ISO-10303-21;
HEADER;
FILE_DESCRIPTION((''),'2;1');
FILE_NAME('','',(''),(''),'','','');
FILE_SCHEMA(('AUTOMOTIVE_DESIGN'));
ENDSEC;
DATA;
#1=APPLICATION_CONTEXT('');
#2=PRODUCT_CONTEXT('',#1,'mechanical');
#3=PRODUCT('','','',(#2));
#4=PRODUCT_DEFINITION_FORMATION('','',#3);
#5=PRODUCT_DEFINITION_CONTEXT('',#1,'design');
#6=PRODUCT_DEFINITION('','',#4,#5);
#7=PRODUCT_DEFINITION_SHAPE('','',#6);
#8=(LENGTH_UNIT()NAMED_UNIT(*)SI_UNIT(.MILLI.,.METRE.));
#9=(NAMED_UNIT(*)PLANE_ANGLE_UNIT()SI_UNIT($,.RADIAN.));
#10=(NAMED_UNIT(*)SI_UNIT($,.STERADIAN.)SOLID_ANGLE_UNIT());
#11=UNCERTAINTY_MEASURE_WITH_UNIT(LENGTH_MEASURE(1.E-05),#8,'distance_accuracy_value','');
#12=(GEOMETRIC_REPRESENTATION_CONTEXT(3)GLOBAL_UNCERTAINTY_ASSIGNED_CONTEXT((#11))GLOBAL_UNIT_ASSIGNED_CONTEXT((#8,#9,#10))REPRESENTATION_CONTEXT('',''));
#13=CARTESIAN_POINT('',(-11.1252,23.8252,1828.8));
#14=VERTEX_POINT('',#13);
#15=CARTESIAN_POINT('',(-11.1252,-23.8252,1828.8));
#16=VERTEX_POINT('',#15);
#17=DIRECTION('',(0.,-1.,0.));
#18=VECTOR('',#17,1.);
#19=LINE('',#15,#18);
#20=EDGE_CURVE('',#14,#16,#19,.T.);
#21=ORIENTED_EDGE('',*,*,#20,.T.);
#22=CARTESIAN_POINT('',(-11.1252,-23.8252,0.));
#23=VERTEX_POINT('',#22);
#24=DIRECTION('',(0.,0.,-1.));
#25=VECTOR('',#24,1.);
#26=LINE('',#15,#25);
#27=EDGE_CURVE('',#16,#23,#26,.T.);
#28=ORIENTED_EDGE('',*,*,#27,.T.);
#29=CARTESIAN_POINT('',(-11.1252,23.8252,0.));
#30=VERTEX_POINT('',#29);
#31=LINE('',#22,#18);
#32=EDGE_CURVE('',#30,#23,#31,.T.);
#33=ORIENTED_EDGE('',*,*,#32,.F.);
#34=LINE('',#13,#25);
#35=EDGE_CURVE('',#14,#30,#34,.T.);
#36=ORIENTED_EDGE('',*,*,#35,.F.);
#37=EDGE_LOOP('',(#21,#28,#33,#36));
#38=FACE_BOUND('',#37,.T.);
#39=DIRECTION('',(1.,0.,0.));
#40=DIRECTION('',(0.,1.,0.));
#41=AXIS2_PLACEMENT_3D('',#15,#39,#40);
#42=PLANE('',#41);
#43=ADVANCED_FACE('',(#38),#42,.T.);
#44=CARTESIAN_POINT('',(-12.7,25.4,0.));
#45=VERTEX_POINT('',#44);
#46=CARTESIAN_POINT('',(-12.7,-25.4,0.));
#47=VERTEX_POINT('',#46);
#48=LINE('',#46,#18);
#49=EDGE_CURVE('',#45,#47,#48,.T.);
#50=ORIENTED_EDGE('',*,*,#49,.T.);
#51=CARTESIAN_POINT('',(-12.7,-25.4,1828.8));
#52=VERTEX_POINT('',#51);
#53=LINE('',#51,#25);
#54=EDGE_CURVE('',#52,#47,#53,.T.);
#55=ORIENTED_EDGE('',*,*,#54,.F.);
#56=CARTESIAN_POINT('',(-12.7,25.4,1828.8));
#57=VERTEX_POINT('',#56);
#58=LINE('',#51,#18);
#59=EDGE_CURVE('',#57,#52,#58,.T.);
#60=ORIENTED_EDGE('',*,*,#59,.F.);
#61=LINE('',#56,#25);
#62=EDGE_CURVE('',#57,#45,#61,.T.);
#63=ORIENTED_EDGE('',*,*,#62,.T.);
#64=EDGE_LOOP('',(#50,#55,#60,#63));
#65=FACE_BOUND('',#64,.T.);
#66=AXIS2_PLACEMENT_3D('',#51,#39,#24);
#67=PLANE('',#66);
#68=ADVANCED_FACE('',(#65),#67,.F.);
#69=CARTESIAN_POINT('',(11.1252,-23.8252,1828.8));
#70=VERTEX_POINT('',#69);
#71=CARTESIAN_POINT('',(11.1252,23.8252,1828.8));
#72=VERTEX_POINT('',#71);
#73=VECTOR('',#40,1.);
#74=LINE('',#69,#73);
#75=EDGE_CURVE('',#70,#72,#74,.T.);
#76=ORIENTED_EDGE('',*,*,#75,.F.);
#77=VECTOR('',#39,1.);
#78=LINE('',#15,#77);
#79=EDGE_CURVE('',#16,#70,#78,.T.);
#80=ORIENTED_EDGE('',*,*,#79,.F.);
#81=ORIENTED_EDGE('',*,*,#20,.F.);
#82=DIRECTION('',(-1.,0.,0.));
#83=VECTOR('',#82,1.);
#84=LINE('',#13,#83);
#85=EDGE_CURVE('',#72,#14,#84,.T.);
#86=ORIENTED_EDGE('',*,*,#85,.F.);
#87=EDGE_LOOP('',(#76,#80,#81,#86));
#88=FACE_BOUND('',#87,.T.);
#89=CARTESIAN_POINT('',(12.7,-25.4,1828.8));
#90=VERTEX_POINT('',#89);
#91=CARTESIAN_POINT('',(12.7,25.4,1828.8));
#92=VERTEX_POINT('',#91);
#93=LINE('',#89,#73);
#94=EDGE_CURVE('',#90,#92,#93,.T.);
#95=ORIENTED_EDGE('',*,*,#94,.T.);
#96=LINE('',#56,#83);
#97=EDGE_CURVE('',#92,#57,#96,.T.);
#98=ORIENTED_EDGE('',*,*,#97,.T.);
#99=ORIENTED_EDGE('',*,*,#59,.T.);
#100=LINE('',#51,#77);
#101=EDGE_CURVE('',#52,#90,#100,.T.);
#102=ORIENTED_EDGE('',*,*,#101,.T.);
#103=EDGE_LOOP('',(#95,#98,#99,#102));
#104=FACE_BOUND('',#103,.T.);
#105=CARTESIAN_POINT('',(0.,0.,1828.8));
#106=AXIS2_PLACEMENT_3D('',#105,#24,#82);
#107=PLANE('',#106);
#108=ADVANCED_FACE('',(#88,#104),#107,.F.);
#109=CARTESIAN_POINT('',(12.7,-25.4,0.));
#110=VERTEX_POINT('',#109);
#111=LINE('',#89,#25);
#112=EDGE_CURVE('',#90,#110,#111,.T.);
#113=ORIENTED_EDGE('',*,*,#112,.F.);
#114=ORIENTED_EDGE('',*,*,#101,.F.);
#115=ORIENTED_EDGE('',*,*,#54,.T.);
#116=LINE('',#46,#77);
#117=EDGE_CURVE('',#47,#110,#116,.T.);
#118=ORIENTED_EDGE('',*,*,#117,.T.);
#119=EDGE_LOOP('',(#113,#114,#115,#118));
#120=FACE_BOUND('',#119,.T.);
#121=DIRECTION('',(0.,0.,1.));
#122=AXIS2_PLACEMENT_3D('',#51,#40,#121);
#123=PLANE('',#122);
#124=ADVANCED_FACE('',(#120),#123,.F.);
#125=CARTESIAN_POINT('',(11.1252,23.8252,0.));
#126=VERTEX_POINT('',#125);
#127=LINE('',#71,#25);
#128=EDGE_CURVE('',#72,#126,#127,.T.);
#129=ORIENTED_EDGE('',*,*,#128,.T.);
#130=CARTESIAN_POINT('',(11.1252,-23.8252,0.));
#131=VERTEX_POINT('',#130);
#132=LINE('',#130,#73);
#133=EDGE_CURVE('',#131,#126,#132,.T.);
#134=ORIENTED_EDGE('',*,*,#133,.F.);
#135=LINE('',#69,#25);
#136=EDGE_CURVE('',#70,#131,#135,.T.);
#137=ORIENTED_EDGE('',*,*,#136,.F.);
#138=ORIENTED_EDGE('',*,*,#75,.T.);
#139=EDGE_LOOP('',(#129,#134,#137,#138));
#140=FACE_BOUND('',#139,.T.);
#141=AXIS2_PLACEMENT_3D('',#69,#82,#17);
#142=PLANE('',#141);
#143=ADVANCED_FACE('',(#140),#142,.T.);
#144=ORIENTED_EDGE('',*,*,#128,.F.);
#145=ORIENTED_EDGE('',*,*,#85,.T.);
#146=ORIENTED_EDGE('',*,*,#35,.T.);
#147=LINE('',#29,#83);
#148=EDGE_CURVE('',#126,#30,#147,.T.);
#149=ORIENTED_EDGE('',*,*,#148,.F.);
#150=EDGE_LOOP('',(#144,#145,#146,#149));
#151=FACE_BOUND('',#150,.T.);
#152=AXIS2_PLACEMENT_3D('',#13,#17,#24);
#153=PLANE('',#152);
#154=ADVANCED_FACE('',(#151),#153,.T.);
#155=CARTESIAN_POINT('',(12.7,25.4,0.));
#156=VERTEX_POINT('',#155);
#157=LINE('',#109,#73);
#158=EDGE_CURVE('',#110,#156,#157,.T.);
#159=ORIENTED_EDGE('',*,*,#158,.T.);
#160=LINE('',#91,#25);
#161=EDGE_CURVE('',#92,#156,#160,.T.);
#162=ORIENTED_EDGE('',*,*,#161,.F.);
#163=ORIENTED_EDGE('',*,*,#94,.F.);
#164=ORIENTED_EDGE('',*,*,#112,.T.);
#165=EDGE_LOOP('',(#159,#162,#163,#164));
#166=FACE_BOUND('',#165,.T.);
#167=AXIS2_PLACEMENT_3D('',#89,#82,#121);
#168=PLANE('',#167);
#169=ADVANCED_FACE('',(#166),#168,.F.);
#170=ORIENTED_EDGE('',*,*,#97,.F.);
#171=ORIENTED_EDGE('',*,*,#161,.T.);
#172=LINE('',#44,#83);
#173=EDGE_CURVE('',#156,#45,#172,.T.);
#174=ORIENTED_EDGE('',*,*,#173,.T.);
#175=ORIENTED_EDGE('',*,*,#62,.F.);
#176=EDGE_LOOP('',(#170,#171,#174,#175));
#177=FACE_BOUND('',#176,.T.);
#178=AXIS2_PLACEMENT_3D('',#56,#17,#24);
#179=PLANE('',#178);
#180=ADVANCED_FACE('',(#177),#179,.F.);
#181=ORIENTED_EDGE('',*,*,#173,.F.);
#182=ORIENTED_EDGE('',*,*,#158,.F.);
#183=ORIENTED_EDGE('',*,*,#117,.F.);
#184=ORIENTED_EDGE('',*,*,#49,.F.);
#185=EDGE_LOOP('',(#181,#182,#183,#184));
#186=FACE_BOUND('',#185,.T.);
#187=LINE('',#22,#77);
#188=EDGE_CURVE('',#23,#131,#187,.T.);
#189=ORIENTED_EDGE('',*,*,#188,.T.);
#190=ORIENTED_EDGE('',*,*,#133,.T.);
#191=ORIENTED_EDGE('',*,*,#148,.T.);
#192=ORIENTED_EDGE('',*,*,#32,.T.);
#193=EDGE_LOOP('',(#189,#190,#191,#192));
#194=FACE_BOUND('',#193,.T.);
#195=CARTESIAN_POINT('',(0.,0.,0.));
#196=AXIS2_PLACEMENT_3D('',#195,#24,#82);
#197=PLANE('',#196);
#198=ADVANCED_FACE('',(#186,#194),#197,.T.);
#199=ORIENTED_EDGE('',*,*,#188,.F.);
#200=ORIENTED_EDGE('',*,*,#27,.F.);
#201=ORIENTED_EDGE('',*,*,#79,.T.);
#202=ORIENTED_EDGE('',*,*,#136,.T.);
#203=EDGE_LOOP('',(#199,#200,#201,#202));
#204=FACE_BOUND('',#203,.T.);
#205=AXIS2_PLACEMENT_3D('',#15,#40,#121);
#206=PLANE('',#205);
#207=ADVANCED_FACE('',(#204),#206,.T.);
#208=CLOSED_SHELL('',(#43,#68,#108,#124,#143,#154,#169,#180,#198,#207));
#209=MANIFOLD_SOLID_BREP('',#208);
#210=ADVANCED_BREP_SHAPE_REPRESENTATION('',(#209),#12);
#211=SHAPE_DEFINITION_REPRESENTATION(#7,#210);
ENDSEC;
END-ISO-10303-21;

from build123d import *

# Parameters (mm, degrees)
SKETCH1_W           = 25.4
SKETCH1_H           = 50.8
SKETCH1_W_2         = 22.2504
SKETCH1_H_2         = 47.6504
BOSS_EXTRUDE1_DEPTH = 1828.8


with BuildPart() as part:
    # Sketch1 → Boss-Extrude1 (new body)
    with BuildSketch(Plane.XY):
        Rectangle(SKETCH1_W, SKETCH1_H)
        Rectangle(SKETCH1_W_2, SKETCH1_H_2, mode=Mode.SUBTRACT)
    extrude(amount=BOSS_EXTRUDE1_DEPTH)


solid = part.part
